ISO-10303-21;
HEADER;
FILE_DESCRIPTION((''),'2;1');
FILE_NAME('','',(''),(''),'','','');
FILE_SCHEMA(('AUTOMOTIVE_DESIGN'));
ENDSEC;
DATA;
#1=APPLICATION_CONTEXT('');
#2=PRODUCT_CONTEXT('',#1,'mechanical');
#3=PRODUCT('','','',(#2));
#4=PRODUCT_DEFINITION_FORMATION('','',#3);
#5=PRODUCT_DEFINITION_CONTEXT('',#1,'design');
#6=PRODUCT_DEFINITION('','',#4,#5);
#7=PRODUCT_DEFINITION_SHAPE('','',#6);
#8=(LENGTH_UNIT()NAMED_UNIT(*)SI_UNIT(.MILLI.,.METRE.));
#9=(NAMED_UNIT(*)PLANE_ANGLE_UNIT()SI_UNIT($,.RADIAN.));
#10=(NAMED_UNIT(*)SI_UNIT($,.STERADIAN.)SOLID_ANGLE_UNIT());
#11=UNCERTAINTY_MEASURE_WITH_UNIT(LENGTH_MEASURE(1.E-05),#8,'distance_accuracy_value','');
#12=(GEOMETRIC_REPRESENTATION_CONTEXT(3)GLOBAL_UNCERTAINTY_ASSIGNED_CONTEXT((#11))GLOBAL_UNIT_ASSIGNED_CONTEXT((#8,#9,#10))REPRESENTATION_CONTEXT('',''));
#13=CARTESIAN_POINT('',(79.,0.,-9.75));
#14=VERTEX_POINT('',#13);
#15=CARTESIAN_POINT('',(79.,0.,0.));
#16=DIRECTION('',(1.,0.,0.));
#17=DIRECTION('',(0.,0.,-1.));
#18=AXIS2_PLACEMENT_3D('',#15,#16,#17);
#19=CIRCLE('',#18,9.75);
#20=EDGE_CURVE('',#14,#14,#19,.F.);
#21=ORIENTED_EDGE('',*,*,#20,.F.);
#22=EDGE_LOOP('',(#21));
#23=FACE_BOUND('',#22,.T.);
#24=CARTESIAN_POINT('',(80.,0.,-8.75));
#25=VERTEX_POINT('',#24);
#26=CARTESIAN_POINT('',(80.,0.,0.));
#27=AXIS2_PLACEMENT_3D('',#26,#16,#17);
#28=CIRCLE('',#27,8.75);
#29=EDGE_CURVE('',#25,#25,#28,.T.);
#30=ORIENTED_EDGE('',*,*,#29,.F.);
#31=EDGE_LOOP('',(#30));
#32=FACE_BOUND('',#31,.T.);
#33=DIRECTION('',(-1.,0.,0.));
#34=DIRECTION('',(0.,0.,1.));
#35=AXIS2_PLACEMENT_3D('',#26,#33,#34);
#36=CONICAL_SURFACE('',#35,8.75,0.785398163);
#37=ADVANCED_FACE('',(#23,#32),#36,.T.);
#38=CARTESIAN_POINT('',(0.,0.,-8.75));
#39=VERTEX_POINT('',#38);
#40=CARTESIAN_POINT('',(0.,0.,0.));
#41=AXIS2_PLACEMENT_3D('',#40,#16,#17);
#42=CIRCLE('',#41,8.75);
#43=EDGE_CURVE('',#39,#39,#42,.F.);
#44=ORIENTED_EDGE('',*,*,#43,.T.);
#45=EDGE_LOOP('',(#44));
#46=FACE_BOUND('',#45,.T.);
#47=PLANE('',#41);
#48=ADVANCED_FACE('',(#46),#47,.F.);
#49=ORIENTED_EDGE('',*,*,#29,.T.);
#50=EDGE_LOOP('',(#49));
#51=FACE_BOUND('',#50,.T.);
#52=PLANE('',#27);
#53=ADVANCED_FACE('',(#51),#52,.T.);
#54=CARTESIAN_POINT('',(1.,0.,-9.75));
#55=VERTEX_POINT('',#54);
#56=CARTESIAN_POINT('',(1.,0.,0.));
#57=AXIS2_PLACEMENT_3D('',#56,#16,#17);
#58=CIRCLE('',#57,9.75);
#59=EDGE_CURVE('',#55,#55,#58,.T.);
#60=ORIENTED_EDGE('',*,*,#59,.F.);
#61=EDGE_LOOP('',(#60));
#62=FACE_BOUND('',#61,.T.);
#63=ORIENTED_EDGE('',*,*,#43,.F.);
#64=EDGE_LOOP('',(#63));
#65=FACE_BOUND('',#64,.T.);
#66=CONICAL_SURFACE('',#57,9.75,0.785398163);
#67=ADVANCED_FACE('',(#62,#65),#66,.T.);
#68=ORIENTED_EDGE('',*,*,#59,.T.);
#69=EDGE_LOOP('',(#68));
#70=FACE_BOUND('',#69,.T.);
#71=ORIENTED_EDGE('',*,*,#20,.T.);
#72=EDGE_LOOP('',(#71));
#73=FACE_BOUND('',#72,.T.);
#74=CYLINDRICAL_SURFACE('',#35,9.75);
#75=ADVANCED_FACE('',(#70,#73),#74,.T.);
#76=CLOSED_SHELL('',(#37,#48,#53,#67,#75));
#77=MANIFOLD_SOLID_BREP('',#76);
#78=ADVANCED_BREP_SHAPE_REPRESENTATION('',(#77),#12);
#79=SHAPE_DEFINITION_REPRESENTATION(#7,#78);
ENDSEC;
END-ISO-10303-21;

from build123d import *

# Parameters (mm, degrees)
SKETCH1_R           = 9.75
BOSS_EXTRUDE1_DEPTH = 80
CHAMFER1_SIZE       = 1


with BuildPart() as part:
    # Sketch1 → Boss-Extrude1 (new body)
    with BuildSketch(Plane(origin=(0, 0, 0), x_dir=(0, 0, -1), z_dir=(1, 0, 0))):
        Circle(SKETCH1_R)
    extrude(amount=BOSS_EXTRUDE1_DEPTH)

    # Chamfer1
    chamfer1_edges = [part.edges().sort_by_distance(p)[0] for p in [
        (0, 0, 9.75),
        (80, 0, 9.75),
    ]]
    chamfer(chamfer1_edges, length=CHAMFER1_SIZE)


solid = part.part
